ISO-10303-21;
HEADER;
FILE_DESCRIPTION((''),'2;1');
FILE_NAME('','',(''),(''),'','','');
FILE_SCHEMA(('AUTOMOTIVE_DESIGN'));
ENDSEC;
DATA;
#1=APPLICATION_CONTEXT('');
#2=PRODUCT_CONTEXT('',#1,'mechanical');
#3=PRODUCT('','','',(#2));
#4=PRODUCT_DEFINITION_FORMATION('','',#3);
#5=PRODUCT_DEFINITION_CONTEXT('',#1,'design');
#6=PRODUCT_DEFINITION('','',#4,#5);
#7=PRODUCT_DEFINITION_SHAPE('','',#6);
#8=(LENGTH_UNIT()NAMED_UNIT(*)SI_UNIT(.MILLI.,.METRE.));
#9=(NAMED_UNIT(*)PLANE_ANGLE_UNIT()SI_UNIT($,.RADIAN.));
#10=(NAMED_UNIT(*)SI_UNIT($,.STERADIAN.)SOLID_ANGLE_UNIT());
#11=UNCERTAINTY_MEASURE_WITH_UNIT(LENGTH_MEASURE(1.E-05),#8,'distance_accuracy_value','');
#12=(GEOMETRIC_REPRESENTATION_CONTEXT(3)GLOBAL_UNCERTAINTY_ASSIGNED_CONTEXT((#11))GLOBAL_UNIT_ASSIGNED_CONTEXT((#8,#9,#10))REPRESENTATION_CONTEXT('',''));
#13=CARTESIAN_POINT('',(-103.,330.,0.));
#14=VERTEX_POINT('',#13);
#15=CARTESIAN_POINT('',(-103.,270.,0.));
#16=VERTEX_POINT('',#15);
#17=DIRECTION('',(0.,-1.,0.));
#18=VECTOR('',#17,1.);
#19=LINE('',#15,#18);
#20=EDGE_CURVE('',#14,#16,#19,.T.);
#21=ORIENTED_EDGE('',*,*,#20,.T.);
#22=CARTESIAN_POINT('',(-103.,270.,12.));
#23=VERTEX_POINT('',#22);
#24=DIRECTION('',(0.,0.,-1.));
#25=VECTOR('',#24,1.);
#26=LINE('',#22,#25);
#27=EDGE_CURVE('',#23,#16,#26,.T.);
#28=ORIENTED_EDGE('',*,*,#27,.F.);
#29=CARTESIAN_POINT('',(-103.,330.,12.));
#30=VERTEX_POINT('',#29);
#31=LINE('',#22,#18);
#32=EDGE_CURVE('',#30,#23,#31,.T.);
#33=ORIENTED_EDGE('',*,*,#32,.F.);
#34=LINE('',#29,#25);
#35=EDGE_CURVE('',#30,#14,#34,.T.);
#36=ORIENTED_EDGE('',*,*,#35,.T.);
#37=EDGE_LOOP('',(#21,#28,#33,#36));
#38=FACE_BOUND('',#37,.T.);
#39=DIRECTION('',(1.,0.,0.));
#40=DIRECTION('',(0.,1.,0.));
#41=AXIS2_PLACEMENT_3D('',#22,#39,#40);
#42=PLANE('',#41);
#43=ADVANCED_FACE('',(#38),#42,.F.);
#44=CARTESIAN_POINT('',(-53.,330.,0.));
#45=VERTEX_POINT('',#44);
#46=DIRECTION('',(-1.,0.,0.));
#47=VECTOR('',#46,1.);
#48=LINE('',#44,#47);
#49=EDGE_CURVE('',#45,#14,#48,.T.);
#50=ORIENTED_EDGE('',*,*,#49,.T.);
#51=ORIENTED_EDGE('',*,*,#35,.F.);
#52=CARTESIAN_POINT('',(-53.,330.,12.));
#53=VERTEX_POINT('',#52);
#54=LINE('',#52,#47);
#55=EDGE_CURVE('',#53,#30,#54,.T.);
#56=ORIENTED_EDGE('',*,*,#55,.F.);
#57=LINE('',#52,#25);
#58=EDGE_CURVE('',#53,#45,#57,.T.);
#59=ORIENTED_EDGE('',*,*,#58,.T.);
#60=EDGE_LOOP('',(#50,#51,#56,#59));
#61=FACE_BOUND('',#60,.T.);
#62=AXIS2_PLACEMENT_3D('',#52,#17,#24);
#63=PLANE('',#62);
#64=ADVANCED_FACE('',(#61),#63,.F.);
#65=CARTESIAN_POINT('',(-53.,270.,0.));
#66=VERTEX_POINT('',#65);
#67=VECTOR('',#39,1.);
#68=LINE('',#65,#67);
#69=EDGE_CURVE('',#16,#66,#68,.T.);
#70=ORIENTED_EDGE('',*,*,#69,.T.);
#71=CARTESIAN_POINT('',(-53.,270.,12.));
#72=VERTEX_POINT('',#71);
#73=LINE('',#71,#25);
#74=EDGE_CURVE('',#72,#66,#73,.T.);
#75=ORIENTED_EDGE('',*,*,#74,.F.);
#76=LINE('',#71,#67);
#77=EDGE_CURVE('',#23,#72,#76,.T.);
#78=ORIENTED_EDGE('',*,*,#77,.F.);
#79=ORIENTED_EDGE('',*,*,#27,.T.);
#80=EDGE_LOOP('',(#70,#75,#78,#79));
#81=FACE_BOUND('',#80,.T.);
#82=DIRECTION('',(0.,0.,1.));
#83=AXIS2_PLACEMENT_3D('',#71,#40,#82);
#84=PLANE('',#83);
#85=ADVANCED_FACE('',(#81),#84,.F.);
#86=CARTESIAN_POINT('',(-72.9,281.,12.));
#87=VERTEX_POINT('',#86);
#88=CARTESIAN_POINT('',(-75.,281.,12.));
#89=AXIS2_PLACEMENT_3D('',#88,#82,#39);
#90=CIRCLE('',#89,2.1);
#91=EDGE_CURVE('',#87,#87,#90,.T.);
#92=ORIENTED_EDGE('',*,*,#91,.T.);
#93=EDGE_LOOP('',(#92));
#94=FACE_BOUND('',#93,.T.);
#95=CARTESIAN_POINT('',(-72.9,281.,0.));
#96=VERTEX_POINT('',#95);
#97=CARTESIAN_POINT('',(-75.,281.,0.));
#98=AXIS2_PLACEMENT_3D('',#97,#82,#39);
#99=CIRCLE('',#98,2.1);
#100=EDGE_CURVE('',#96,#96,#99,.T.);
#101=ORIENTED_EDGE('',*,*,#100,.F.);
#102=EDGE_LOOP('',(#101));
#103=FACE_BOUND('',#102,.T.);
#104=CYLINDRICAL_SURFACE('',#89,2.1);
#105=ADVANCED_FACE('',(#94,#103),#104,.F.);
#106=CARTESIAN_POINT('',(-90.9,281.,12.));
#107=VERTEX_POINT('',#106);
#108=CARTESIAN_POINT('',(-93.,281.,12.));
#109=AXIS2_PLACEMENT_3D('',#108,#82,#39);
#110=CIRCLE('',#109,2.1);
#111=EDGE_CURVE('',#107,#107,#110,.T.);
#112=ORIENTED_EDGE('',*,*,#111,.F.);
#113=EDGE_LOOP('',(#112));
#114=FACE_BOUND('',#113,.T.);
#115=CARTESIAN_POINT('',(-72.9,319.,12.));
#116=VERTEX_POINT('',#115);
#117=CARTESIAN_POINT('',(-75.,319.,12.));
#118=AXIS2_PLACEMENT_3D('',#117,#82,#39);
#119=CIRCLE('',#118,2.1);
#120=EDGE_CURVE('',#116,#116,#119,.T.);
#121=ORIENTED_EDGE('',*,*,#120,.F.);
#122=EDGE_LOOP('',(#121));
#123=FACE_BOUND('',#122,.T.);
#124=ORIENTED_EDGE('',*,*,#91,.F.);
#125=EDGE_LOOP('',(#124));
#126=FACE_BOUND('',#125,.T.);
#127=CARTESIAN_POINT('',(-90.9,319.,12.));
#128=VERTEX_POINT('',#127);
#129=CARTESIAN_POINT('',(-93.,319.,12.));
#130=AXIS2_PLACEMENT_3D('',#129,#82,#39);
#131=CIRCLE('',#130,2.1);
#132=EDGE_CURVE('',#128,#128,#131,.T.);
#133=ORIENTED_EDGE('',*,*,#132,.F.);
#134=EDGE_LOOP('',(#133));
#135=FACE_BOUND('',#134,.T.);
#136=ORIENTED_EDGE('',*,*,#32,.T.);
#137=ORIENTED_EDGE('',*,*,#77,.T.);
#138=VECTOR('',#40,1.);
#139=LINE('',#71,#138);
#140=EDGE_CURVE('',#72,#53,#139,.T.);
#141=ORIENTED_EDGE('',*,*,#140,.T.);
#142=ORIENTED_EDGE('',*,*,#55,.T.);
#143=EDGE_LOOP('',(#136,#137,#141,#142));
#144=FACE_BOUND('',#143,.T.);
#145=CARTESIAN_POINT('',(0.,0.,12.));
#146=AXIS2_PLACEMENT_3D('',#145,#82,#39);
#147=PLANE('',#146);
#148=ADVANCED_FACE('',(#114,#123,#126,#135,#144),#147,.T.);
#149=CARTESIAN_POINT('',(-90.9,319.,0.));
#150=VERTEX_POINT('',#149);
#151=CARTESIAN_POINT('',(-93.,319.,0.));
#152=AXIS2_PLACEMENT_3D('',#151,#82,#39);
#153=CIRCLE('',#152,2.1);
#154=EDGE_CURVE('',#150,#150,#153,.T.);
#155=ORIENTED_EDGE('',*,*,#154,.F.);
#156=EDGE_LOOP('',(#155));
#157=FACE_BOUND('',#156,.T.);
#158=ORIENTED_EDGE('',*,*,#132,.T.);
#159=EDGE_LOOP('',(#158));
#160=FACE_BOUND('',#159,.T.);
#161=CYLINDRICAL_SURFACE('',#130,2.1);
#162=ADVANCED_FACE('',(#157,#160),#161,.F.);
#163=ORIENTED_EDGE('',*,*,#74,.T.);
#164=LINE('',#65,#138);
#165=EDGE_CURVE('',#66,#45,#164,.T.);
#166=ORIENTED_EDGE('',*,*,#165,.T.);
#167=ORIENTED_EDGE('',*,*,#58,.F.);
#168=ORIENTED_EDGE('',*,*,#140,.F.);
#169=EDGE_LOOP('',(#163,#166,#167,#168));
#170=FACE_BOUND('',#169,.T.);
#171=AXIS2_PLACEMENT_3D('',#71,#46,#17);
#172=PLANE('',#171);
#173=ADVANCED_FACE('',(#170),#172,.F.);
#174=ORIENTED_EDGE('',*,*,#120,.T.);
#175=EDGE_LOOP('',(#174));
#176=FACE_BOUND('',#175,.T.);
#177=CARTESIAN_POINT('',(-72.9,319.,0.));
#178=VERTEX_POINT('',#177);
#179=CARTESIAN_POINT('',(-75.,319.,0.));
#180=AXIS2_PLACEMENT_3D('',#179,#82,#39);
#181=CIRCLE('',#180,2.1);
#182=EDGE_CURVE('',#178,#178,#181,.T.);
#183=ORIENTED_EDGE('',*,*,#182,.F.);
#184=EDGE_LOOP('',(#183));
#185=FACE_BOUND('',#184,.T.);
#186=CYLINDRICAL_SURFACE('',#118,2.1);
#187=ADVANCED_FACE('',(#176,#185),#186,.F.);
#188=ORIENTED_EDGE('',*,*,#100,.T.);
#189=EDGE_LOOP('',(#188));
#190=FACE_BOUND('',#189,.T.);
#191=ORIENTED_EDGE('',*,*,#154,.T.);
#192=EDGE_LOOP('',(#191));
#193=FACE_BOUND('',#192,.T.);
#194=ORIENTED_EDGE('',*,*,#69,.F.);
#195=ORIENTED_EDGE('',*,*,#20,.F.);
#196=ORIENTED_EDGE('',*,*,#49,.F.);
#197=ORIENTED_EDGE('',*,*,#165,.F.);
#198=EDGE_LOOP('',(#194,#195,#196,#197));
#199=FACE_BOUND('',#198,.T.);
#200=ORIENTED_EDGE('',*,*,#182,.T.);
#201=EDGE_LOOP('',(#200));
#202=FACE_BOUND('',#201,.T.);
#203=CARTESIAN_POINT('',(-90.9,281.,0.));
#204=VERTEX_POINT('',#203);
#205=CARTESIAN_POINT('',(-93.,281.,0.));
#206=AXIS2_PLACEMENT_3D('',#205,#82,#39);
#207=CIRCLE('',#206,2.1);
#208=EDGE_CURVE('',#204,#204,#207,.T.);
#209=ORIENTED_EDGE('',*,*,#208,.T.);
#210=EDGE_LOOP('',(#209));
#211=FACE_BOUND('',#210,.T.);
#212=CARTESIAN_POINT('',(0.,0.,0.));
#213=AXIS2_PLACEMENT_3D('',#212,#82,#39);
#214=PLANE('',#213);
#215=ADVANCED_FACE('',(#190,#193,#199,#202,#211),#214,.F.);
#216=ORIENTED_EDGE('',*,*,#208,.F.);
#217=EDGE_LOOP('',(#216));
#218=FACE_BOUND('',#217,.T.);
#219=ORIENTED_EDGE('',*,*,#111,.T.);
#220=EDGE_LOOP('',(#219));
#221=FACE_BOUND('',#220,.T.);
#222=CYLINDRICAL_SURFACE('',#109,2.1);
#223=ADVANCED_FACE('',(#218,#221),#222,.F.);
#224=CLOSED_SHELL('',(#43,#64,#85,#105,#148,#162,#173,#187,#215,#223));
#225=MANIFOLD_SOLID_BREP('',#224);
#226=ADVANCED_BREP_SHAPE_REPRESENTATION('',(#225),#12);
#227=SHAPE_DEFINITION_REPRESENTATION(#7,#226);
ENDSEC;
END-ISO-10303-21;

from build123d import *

# Parameters (mm, degrees)
SZKIC1_W                    = 50
SZKIC1_H                    = 60
DODANIE_WYCI_GNI_CIE1_DEPTH = 12
OTW_R_GWINTOWANY_M5X0_81_D  = 4.2


with BuildPart() as part:
    # Szkic1 → Dodanie-wyciągnięcie1 (new body)
    with BuildSketch(Plane.XY):
        with Locations((-78, 300)):
            Rectangle(SZKIC1_W, SZKIC1_H)
    extrude(amount=DODANIE_WYCI_GNI_CIE1_DEPTH)

    # Otwór gwintowany M5x0.81 (through all)
    with Locations(Plane.XY.offset(12)):
        with Locations((-93, 319), (-75, 319), (-75, 281), (-93, 281)):
            Hole(OTW_R_GWINTOWANY_M5X0_81_D / 2)


solid = part.part
